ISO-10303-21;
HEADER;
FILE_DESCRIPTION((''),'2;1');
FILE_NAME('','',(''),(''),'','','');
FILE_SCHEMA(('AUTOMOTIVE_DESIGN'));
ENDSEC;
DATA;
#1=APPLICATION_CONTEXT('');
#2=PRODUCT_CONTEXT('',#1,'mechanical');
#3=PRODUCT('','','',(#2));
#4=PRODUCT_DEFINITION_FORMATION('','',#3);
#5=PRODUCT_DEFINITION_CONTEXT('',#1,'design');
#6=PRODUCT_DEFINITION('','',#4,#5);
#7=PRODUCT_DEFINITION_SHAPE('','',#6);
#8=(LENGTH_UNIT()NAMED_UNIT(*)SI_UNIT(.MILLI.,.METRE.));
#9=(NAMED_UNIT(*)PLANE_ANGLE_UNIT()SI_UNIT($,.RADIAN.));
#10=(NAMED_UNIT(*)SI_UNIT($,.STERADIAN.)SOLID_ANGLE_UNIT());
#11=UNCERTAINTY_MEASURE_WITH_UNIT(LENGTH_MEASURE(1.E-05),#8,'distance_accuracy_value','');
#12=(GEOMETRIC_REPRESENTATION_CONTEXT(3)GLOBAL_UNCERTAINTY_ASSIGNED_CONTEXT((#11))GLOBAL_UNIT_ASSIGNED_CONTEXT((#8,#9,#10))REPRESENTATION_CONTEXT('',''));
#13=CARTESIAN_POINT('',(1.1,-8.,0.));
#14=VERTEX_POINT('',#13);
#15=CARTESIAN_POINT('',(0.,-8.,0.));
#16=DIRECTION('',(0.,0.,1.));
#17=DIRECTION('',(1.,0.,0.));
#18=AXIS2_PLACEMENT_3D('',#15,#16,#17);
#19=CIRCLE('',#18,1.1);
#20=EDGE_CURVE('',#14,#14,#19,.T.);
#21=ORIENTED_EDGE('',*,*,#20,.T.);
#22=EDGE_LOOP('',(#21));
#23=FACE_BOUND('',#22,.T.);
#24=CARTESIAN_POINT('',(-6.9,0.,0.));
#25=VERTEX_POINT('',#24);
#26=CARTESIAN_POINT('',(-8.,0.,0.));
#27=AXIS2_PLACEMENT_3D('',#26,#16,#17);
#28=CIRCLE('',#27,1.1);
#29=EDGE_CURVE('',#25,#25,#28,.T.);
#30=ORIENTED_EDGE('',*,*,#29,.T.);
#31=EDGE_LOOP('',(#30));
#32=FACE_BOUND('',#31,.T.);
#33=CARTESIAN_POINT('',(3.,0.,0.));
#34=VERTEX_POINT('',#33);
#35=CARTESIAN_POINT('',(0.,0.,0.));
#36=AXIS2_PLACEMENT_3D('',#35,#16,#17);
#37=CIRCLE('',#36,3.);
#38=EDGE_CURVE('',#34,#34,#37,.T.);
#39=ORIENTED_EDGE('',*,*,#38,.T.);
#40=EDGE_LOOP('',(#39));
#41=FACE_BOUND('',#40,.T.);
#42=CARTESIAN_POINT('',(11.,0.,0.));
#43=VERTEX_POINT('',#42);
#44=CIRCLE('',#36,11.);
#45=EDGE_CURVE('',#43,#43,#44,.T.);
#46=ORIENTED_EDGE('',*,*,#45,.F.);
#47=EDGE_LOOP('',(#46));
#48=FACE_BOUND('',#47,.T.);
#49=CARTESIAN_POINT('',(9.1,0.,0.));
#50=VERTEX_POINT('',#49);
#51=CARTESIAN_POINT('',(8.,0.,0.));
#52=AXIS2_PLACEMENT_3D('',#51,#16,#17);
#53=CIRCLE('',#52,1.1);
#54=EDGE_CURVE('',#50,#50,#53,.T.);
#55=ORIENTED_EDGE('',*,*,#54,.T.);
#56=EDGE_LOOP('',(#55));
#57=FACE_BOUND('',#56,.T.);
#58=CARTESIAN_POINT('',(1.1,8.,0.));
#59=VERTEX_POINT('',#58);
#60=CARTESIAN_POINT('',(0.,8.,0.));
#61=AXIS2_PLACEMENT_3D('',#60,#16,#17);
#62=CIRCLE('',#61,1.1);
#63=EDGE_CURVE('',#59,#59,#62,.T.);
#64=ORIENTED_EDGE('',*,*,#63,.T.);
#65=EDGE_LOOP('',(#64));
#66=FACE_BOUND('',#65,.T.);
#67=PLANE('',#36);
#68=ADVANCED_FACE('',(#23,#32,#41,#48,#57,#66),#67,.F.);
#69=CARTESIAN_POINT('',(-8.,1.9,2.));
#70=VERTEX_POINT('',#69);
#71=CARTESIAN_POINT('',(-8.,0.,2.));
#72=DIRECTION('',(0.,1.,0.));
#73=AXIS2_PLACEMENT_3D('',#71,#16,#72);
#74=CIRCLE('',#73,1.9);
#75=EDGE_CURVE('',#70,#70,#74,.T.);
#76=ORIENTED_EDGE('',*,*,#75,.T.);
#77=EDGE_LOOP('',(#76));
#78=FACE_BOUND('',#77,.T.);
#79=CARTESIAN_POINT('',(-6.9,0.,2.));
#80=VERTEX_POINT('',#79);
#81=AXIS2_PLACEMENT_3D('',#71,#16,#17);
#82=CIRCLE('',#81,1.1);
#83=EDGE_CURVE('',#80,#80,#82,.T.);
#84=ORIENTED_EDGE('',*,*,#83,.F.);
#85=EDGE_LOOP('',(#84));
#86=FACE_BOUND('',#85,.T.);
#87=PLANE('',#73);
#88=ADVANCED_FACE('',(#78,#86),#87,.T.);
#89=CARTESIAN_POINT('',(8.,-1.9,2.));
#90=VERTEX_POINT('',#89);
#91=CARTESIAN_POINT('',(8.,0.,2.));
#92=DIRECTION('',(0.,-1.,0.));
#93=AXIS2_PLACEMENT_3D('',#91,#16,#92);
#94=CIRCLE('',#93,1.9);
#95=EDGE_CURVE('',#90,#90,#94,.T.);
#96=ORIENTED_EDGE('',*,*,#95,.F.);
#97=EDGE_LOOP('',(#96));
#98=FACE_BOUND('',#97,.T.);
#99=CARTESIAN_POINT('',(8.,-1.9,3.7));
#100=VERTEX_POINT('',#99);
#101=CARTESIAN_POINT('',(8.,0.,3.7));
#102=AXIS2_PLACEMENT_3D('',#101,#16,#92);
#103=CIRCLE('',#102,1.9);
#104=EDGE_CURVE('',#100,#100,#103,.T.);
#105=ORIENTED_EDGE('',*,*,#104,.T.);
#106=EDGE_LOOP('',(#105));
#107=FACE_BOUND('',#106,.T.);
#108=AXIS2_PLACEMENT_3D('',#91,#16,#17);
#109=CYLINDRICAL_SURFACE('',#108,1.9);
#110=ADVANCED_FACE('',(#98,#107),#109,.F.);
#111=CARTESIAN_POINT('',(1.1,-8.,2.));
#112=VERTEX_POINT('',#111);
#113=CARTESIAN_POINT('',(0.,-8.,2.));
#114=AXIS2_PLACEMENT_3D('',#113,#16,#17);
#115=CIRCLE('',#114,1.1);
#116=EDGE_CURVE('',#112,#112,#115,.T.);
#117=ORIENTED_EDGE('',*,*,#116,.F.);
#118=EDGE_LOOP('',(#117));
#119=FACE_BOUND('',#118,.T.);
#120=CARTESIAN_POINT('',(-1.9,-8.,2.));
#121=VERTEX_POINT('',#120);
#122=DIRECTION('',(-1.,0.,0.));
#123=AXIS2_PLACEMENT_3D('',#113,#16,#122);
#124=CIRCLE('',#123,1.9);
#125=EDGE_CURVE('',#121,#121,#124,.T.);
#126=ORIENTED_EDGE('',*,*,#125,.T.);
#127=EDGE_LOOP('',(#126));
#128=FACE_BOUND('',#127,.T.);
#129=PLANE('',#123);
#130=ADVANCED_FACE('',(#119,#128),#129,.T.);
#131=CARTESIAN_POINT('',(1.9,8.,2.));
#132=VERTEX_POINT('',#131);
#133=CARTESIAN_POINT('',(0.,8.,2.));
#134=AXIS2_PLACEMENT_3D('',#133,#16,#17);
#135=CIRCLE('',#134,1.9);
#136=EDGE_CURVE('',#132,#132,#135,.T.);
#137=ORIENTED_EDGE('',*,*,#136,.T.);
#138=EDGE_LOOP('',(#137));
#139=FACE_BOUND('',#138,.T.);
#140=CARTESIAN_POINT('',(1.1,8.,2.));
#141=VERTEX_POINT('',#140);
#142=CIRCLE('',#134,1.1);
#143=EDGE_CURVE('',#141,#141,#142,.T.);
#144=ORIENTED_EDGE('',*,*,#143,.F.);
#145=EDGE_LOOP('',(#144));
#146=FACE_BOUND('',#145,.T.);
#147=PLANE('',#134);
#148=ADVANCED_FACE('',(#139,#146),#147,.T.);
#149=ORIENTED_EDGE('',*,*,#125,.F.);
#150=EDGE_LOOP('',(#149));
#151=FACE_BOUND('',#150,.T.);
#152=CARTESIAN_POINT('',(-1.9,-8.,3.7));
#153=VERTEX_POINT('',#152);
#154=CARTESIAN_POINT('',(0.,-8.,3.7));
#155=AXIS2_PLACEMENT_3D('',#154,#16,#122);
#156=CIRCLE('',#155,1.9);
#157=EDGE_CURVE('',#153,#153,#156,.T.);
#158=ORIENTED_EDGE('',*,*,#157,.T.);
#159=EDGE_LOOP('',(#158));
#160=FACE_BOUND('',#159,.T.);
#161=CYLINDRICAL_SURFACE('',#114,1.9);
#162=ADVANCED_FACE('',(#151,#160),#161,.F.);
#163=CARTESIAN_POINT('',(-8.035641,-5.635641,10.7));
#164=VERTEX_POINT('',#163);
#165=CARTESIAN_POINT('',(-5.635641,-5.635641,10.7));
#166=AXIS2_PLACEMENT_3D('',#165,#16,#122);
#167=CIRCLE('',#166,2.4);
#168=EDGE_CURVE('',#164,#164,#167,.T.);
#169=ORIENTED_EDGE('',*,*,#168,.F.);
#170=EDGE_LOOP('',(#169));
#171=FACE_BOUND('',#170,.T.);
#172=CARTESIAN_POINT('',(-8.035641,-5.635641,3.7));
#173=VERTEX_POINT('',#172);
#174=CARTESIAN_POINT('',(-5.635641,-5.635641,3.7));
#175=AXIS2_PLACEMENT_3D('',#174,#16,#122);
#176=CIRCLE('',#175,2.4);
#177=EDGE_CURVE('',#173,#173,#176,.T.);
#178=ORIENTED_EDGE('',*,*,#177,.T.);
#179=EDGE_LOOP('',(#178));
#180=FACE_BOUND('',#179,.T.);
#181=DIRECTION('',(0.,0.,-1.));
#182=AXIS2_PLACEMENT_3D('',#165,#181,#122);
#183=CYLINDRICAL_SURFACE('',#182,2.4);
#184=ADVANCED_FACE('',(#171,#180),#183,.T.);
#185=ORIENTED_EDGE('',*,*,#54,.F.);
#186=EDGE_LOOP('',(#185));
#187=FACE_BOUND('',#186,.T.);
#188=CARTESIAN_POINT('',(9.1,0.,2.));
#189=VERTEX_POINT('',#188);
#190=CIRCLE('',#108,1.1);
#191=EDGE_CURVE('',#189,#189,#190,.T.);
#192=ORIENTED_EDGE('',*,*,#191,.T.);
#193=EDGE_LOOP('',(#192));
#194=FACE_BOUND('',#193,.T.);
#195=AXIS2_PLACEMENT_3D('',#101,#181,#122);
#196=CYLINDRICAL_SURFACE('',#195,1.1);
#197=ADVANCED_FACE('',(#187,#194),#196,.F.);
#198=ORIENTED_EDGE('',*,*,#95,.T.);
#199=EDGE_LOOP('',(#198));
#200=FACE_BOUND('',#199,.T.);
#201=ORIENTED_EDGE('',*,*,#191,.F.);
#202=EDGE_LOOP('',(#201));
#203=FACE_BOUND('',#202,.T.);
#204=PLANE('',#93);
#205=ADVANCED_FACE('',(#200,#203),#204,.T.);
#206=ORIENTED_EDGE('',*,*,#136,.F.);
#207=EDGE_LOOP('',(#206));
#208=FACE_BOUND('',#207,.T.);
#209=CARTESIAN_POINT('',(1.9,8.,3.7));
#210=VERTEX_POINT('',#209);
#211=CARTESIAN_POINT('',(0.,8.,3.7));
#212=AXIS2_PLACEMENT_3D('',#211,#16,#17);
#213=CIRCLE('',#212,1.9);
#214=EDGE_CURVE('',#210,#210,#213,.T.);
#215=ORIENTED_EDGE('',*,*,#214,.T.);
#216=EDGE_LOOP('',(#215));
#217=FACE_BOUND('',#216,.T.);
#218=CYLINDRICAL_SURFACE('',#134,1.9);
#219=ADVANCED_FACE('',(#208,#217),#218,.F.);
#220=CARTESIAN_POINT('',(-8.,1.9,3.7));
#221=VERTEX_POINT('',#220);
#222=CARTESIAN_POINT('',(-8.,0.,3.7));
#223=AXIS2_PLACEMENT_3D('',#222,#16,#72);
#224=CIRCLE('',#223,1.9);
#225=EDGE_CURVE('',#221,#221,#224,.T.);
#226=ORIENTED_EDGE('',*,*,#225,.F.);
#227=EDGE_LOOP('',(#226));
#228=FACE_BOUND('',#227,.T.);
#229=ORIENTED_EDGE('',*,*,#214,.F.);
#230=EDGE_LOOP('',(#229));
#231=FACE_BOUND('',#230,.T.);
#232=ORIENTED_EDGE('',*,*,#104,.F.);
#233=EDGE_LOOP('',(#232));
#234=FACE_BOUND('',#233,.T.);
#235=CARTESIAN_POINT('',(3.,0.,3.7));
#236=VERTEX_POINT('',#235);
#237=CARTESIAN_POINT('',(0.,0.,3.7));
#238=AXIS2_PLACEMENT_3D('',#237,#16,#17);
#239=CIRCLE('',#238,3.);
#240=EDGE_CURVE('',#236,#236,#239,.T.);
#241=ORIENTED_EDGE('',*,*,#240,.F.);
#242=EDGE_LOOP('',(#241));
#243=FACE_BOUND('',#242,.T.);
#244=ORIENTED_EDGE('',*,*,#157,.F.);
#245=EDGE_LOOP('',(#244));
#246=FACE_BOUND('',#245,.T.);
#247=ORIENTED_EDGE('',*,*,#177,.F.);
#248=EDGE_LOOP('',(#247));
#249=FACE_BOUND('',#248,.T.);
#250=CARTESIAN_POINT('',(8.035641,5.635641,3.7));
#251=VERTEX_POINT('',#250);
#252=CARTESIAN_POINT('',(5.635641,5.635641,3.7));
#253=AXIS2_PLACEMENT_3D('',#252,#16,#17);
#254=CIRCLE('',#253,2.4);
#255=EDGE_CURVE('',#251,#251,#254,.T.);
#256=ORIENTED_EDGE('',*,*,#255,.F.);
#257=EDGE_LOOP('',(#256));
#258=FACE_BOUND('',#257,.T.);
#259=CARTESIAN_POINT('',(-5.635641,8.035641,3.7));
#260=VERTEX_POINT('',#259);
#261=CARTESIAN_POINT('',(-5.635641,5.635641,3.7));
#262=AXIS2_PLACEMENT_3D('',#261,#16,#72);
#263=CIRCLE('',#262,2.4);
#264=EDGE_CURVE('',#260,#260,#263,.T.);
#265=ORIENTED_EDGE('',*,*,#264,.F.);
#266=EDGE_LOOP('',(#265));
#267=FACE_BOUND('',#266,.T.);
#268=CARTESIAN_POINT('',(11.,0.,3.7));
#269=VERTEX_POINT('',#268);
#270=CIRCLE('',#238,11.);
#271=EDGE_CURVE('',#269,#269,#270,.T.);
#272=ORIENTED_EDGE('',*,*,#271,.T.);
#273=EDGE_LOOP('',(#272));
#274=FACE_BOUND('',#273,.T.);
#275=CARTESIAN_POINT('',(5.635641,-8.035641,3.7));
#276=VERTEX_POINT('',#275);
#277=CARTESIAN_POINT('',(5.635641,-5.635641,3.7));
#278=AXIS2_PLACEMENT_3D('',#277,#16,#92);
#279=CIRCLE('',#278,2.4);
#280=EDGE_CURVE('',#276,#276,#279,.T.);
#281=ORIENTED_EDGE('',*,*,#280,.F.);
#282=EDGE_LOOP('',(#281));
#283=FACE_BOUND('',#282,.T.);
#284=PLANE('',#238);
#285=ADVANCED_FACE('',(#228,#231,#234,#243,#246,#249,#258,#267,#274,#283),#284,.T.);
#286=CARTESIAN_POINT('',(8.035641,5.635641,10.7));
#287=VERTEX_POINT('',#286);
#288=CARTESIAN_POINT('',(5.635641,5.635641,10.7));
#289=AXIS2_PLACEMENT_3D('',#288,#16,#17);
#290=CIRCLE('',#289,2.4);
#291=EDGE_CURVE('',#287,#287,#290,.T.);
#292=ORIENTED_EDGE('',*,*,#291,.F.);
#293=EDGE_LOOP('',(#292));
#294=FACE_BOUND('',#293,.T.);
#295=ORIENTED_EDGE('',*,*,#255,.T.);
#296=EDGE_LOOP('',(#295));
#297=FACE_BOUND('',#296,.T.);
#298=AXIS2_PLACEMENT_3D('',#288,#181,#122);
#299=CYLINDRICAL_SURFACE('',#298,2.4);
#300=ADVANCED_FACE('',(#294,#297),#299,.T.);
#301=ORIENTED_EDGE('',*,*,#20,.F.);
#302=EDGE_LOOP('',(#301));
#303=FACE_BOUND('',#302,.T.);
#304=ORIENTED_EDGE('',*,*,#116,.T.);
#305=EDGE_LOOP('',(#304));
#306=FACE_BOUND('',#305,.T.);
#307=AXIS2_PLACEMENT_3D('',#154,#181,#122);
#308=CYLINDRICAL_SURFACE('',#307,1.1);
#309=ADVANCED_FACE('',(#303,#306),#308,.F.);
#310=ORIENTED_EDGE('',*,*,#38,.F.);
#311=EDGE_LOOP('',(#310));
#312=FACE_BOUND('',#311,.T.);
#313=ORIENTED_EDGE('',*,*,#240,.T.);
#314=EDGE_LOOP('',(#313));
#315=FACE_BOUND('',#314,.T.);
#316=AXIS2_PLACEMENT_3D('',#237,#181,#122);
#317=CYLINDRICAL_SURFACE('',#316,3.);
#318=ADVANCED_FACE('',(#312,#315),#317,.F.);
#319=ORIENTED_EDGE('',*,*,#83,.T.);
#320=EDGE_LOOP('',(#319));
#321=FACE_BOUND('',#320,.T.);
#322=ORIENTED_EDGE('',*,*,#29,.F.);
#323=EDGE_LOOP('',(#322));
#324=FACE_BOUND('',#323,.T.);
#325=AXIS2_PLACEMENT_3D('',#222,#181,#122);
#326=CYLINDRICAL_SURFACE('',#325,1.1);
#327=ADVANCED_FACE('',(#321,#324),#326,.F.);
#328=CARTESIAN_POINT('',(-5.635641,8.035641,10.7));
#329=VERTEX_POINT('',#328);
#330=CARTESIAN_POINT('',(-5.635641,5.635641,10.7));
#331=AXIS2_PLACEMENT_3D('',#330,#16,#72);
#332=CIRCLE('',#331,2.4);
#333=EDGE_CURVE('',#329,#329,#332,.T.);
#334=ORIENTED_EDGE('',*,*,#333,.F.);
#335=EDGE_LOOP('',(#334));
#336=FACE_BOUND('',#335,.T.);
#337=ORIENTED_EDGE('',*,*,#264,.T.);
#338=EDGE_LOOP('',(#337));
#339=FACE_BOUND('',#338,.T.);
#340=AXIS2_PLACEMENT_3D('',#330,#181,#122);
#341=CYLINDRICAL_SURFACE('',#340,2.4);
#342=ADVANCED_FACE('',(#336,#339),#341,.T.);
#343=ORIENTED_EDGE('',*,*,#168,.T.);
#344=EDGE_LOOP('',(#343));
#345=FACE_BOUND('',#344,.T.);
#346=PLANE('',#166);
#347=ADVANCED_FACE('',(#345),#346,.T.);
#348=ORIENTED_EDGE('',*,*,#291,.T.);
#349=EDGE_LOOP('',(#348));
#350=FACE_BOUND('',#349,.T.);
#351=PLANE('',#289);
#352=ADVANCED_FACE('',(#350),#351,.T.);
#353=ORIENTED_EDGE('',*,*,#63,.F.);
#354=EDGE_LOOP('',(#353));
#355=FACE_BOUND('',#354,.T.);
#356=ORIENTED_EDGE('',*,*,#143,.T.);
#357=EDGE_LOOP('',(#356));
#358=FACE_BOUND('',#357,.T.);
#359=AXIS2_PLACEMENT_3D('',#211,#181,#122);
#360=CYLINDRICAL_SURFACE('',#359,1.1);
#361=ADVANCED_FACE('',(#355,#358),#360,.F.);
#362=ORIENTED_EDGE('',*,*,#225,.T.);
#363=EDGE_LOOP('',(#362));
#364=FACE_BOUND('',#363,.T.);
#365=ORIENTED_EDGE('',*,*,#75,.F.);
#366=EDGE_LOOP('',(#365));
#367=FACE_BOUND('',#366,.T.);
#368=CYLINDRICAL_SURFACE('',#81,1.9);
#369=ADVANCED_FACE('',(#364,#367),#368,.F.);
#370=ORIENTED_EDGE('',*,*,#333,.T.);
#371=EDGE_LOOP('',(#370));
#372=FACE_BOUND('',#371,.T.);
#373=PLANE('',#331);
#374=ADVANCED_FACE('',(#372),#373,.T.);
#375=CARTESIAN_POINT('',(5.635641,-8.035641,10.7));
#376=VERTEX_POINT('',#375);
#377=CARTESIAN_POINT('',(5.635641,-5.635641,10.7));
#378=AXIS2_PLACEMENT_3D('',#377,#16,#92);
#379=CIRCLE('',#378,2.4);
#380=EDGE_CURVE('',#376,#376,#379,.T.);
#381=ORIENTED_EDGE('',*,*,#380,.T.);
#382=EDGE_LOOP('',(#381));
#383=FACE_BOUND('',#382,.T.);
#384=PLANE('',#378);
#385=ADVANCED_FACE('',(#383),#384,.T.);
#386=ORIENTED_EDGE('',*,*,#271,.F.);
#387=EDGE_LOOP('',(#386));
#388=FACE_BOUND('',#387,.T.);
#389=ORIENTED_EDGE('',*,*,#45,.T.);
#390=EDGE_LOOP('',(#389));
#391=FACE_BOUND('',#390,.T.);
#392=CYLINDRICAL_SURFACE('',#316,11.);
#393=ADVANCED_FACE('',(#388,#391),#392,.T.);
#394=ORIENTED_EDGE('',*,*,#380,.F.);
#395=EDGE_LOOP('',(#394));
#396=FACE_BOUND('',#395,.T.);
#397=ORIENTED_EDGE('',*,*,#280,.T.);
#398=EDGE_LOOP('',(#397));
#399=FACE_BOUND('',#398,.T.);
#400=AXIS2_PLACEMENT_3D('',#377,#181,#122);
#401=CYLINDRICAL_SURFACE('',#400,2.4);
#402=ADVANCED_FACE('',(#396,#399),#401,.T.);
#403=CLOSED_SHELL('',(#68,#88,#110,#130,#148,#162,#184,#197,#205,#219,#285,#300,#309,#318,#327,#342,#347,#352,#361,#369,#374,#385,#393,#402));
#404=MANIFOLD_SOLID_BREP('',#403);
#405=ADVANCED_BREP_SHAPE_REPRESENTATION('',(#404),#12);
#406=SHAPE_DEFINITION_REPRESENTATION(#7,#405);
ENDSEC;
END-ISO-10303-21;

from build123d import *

# Parameters (mm, degrees)
DYNAMIXELHUB_R   = 11
DYNAMIXELHUB_R_2 = 3
DYNAMIXELHUB_R_3 = 1.1
HUB_DEPTH        = 3.7
SKETCH2_R        = 1.9
SCREWSLOT_DEPTH  = 1.7
SCREWSLOTS_COUNT = 4
SKETCH3_R        = 2.4
LEGOPIN_DEPTH    = 7
LEGOPINS_COUNT   = 4


with BuildPart() as part:
    # DynamixelHub → Hub (new body)
    with BuildSketch(Plane.XY):
        Circle(DYNAMIXELHUB_R)
        Circle(DYNAMIXELHUB_R_2, mode=Mode.SUBTRACT)
        with Locations((0, 8)):
            Circle(DYNAMIXELHUB_R_3, mode=Mode.SUBTRACT)
        with Locations((8, 0)):
            Circle(DYNAMIXELHUB_R_3, mode=Mode.SUBTRACT)
        with Locations((0, -8)):
            Circle(DYNAMIXELHUB_R_3, mode=Mode.SUBTRACT)
        with Locations((-8, 0)):
            Circle(DYNAMIXELHUB_R_3, mode=Mode.SUBTRACT)
    extrude(amount=HUB_DEPTH)

    # Sketch2 → ScrewSlot (cut)
    with BuildSketch(Plane.XY.offset(3.7)):
        with Locations((0, 8)):
            Circle(SKETCH2_R)
    screwslot = extrude(amount=-SCREWSLOT_DEPTH, mode=Mode.SUBTRACT)

    # ScrewSlots: ScrewSlot ×4 about axis
    screwslots_axis = Axis((0, 0, 0), (0, 0, 1))
    for i in range(1, SCREWSLOTS_COUNT):
        add(screwslot.rotate(screwslots_axis, i * 360 / SCREWSLOTS_COUNT), mode=Mode.SUBTRACT)

    # Sketch3 → LegoPin (add)
    with BuildSketch(Plane.XY.offset(3.7)):
        with Locations((5.635641046, 5.635641046)):
            Circle(SKETCH3_R)
    legopin = extrude(amount=LEGOPIN_DEPTH)

    # LegoPins: LegoPin ×4 about axis
    legopins_axis = Axis((0, 0, 0), (0, 0, 1))
    for i in range(1, LEGOPINS_COUNT):
        add(legopin.rotate(legopins_axis, i * 360 / LEGOPINS_COUNT))


solid = part.part
